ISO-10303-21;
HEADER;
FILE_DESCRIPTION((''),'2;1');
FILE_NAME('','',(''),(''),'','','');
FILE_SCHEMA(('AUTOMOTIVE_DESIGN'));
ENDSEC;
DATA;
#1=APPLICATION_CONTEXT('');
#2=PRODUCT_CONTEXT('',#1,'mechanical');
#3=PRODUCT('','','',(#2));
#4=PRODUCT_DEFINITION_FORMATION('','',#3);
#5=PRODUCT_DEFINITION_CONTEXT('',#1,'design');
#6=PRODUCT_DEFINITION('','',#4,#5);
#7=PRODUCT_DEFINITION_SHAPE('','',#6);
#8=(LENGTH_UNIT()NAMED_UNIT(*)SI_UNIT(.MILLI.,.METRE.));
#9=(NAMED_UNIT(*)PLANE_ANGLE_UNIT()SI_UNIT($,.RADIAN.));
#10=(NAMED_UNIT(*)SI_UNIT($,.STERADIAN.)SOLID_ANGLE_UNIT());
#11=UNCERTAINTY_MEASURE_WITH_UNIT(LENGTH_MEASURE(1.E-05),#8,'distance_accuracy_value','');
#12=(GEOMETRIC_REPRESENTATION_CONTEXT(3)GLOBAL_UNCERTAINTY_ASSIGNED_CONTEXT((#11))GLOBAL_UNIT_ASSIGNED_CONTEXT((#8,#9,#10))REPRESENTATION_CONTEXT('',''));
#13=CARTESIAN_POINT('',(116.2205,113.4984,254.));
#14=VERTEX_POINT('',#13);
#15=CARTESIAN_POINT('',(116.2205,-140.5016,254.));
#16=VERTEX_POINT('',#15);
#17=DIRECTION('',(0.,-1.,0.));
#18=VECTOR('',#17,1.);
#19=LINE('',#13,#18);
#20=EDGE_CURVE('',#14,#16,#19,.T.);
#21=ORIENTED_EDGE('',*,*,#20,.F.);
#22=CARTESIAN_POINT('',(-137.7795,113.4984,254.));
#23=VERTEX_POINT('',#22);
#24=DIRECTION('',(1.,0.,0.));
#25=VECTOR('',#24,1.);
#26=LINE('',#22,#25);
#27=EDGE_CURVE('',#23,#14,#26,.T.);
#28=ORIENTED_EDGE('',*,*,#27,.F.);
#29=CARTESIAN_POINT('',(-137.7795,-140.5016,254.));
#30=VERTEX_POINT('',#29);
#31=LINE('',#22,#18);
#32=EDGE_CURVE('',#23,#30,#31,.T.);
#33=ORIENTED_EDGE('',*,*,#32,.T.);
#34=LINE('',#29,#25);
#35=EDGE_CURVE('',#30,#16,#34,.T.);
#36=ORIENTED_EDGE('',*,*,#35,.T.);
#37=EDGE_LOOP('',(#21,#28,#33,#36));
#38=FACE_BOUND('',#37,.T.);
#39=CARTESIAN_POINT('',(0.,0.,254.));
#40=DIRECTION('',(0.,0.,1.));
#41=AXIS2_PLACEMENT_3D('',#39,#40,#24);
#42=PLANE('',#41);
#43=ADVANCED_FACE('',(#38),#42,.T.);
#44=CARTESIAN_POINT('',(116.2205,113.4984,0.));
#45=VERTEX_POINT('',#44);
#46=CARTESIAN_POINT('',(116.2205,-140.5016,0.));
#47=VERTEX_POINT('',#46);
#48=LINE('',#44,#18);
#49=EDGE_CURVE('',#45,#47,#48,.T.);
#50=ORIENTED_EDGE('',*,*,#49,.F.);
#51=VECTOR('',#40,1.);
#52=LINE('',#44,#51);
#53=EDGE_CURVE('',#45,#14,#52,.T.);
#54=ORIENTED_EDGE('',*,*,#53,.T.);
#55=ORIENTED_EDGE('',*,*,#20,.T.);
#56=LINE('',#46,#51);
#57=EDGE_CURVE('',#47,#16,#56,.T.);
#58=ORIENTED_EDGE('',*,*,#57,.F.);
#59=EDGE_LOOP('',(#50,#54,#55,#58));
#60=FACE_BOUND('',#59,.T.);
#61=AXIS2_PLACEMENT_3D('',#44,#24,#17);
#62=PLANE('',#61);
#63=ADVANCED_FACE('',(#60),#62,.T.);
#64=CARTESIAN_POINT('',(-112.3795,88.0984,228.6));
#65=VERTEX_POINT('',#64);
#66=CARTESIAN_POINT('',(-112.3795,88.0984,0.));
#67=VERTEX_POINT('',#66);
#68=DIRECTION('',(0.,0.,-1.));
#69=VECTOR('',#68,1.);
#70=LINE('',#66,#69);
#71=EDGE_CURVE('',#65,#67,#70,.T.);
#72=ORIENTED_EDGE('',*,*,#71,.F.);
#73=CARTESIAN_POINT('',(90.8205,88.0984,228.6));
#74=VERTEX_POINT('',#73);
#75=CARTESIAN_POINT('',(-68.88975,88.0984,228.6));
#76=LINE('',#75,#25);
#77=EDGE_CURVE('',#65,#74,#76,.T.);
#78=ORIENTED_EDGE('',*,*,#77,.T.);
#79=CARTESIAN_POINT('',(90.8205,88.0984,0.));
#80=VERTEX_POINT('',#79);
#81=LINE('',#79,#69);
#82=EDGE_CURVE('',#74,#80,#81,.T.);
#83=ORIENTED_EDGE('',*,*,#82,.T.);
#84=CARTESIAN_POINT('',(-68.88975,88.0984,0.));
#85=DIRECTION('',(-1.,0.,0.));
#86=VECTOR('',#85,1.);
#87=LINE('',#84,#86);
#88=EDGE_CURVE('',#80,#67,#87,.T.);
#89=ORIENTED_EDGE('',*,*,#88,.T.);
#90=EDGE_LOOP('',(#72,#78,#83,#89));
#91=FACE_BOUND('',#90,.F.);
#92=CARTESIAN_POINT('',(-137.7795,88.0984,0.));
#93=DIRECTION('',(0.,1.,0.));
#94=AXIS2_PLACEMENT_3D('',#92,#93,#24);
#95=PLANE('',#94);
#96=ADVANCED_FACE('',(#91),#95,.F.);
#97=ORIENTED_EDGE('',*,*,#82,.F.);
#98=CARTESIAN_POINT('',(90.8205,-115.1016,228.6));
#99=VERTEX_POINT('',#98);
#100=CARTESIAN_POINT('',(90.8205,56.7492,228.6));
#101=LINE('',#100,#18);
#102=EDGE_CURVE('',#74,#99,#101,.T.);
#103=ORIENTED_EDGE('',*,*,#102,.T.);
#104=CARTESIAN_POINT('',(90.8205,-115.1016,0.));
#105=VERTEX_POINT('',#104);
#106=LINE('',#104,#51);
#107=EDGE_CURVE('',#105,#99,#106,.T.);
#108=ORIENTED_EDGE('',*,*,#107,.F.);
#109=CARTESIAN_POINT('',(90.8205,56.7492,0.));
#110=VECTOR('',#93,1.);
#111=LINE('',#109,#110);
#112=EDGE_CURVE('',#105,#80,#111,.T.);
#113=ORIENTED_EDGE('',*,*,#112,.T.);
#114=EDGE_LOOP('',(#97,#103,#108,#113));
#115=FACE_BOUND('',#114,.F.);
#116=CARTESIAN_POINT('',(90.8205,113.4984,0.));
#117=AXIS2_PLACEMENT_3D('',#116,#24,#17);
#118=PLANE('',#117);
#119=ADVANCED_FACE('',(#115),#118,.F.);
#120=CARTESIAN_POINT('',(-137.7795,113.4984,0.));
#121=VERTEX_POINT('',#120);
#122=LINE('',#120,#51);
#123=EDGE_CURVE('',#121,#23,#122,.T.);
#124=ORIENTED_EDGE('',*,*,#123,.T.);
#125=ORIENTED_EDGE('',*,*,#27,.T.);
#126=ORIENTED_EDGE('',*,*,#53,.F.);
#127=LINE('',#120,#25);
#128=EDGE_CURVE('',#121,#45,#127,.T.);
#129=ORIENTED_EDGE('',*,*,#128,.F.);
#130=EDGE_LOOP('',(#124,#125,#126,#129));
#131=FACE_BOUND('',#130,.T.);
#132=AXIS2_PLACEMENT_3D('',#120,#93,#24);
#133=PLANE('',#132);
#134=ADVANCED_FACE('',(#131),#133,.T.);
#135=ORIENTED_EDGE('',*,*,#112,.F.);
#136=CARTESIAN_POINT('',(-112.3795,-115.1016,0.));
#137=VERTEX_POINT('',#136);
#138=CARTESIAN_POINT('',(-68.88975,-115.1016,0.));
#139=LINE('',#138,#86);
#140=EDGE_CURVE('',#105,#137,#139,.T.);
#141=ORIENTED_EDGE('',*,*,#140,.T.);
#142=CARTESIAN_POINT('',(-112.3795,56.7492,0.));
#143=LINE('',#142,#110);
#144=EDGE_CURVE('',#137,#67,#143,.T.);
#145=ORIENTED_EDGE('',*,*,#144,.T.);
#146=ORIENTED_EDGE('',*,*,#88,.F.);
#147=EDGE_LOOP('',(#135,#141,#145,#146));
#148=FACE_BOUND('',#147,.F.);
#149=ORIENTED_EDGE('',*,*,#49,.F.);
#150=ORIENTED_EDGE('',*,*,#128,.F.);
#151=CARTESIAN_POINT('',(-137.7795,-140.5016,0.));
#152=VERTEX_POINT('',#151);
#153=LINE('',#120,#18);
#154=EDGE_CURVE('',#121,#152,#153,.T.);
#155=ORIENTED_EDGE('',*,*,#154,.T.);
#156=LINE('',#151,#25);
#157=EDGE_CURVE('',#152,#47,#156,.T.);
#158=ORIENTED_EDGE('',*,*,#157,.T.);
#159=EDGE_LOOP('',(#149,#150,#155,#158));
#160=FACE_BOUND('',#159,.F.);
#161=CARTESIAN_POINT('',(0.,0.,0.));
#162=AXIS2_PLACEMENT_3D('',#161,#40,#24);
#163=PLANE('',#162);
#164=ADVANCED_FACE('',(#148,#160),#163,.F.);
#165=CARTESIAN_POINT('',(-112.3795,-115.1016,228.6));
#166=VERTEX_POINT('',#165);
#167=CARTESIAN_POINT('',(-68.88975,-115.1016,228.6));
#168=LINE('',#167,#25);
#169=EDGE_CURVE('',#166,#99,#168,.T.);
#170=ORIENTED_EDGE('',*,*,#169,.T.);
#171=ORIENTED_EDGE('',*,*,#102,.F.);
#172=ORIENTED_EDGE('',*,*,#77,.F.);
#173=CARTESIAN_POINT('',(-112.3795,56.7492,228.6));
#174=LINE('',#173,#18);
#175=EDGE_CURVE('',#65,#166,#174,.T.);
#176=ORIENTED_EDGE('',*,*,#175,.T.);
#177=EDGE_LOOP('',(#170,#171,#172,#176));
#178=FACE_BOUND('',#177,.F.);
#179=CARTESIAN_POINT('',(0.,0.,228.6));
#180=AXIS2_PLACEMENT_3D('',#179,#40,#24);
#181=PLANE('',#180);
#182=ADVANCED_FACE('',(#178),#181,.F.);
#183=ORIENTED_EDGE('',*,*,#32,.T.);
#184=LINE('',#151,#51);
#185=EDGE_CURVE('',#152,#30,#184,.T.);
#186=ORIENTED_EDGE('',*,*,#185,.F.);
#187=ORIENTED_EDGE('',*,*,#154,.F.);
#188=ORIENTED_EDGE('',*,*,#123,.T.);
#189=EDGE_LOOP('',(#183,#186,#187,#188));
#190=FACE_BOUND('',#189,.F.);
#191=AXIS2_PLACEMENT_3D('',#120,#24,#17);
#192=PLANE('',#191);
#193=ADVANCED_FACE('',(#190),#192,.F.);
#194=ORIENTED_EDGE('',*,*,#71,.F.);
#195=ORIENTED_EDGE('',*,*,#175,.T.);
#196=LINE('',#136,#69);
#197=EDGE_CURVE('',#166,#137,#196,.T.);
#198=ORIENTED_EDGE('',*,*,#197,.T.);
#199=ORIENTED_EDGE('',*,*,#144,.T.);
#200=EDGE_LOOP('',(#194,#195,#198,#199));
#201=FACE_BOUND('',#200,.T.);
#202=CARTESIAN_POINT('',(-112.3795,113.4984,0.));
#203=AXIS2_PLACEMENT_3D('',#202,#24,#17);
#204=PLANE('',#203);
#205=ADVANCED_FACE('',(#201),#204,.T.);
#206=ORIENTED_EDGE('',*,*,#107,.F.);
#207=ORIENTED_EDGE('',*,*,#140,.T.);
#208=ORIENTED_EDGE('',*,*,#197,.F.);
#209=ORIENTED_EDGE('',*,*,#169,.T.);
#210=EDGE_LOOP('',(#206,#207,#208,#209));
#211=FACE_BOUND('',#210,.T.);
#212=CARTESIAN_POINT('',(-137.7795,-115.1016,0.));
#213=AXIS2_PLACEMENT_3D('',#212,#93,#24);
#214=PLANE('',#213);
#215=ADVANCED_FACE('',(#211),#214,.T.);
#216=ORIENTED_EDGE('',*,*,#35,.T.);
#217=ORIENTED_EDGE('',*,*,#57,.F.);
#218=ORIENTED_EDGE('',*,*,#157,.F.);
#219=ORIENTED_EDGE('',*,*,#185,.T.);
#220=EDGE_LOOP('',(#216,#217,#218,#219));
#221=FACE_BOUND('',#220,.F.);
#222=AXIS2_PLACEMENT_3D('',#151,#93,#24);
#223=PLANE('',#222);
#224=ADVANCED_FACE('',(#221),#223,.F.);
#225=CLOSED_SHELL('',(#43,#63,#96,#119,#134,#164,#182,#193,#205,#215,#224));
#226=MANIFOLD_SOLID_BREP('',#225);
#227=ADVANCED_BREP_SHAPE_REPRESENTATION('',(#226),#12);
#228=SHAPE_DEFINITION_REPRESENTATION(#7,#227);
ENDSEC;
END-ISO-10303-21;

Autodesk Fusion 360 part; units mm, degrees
sketch "Sketch9" plane through (0, 0, 0) normal (0, 0, 1) x (1, 0, 0)
  line L0 (-137.7795, 113.4984) -> (116.2205, 113.4984)
  line L1 (-137.7795, 113.4984) -> (-137.7795, -140.5016)
  line L2 (-137.7795, -140.5016) -> (116.2205, -140.5016)
  line L3 (116.2205, 113.4984) -> (116.2205, -140.5016)
extrude "Extrude2" add sketch "Sketch9" along normal blind 254
shell "Shell2" thickness 25.4 removed faces 1 at (-53.1129, -55.835, 0)
